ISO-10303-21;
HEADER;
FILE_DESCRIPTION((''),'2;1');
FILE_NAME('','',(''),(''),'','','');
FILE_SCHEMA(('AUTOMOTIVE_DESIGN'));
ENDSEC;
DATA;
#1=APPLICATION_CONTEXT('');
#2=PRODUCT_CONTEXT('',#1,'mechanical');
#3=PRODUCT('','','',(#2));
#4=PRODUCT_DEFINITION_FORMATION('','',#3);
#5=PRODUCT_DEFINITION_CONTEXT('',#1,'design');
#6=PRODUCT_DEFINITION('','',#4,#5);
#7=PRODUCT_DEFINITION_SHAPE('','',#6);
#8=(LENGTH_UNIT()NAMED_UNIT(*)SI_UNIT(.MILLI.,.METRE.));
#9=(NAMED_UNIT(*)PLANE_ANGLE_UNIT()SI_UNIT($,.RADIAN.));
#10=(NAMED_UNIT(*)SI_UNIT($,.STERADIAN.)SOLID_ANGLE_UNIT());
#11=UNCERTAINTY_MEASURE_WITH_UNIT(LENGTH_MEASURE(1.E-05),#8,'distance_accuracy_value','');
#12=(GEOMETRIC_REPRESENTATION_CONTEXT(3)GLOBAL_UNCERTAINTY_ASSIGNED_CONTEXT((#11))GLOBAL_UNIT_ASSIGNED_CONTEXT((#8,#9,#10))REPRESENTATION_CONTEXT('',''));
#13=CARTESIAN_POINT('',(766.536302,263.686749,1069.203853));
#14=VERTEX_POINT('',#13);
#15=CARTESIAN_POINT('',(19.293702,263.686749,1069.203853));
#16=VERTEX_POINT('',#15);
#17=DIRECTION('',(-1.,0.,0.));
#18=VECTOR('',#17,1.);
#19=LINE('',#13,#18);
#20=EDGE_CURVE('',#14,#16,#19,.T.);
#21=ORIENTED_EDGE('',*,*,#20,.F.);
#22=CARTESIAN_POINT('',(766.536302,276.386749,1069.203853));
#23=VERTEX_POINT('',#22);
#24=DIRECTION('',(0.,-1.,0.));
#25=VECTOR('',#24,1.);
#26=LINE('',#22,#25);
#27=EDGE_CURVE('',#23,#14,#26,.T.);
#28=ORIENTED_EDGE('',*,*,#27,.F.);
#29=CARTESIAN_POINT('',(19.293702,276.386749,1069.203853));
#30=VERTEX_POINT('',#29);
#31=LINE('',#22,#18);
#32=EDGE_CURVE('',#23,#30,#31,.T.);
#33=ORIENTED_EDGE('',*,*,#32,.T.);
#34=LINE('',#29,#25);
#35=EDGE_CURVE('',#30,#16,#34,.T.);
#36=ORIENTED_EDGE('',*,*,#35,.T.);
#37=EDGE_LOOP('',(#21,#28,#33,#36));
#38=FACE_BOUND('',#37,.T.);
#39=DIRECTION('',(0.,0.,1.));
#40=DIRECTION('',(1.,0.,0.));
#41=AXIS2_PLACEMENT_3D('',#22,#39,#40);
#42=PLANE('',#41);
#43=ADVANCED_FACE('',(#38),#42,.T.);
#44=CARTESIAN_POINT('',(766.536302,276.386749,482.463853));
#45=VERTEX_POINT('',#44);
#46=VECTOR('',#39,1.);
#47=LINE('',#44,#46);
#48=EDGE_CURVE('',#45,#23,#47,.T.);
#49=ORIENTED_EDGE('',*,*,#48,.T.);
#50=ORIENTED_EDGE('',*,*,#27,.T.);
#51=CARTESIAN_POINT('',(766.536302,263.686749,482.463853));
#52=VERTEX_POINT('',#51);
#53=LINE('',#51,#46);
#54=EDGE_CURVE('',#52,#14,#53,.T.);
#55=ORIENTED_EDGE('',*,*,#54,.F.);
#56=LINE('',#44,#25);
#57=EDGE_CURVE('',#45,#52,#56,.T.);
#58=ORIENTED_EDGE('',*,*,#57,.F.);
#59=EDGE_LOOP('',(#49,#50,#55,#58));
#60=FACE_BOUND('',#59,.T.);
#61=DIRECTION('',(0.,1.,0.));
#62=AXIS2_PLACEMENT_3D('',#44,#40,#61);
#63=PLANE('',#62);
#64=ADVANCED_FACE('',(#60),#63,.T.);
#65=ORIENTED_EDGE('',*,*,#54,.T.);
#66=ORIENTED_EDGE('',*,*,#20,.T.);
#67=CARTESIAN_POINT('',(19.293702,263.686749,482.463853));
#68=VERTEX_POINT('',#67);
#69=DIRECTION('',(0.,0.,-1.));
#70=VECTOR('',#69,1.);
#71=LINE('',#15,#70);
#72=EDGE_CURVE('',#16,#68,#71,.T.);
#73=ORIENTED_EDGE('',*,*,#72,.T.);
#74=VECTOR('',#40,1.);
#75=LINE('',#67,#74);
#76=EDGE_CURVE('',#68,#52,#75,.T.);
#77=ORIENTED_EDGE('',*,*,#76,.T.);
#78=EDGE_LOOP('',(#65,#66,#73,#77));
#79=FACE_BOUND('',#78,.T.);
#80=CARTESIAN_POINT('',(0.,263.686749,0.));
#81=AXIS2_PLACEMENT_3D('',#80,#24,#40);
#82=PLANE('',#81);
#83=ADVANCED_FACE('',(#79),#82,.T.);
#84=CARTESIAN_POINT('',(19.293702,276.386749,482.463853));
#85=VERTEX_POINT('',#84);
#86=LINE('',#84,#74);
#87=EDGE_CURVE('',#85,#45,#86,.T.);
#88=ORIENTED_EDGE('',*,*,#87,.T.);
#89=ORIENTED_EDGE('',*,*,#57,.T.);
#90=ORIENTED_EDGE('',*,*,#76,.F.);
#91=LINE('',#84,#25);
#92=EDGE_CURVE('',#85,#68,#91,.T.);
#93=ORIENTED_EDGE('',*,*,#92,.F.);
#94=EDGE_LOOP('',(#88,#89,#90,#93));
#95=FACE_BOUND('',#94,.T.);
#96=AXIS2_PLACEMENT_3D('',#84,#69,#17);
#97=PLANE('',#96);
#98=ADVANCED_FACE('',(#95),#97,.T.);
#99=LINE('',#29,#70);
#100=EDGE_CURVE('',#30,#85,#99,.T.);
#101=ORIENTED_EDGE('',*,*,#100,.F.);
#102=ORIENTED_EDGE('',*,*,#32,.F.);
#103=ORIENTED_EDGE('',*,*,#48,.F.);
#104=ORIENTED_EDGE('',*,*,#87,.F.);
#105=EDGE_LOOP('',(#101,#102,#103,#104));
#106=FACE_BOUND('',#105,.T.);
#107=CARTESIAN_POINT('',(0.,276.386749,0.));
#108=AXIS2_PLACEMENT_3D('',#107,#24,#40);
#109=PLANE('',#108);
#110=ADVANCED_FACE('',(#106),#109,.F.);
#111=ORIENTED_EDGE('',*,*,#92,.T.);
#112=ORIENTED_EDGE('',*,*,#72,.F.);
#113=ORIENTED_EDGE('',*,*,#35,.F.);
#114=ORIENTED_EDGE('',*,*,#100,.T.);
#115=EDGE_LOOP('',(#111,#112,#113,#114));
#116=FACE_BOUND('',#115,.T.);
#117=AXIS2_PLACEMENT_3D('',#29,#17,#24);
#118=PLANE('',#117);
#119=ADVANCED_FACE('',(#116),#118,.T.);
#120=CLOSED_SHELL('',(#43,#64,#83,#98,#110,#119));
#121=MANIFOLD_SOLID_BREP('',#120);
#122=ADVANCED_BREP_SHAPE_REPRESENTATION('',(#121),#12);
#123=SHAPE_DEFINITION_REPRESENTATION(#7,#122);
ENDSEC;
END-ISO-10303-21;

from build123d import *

# Parameters (mm, degrees)
SKETCH1_W           = 747.2426
SKETCH1_H           = 586.74
BOSS_EXTRUDE1_DEPTH = 12.7


with BuildPart() as part:
    # Sketch1 → Boss-Extrude1 (new body)
    with BuildSketch(Plane.XZ.offset(-263.686749239)):
        with Locations((392.915001613, 775.83385267)):
            Rectangle(SKETCH1_W, SKETCH1_H)
    extrude(amount=-BOSS_EXTRUDE1_DEPTH)


solid = part.part
